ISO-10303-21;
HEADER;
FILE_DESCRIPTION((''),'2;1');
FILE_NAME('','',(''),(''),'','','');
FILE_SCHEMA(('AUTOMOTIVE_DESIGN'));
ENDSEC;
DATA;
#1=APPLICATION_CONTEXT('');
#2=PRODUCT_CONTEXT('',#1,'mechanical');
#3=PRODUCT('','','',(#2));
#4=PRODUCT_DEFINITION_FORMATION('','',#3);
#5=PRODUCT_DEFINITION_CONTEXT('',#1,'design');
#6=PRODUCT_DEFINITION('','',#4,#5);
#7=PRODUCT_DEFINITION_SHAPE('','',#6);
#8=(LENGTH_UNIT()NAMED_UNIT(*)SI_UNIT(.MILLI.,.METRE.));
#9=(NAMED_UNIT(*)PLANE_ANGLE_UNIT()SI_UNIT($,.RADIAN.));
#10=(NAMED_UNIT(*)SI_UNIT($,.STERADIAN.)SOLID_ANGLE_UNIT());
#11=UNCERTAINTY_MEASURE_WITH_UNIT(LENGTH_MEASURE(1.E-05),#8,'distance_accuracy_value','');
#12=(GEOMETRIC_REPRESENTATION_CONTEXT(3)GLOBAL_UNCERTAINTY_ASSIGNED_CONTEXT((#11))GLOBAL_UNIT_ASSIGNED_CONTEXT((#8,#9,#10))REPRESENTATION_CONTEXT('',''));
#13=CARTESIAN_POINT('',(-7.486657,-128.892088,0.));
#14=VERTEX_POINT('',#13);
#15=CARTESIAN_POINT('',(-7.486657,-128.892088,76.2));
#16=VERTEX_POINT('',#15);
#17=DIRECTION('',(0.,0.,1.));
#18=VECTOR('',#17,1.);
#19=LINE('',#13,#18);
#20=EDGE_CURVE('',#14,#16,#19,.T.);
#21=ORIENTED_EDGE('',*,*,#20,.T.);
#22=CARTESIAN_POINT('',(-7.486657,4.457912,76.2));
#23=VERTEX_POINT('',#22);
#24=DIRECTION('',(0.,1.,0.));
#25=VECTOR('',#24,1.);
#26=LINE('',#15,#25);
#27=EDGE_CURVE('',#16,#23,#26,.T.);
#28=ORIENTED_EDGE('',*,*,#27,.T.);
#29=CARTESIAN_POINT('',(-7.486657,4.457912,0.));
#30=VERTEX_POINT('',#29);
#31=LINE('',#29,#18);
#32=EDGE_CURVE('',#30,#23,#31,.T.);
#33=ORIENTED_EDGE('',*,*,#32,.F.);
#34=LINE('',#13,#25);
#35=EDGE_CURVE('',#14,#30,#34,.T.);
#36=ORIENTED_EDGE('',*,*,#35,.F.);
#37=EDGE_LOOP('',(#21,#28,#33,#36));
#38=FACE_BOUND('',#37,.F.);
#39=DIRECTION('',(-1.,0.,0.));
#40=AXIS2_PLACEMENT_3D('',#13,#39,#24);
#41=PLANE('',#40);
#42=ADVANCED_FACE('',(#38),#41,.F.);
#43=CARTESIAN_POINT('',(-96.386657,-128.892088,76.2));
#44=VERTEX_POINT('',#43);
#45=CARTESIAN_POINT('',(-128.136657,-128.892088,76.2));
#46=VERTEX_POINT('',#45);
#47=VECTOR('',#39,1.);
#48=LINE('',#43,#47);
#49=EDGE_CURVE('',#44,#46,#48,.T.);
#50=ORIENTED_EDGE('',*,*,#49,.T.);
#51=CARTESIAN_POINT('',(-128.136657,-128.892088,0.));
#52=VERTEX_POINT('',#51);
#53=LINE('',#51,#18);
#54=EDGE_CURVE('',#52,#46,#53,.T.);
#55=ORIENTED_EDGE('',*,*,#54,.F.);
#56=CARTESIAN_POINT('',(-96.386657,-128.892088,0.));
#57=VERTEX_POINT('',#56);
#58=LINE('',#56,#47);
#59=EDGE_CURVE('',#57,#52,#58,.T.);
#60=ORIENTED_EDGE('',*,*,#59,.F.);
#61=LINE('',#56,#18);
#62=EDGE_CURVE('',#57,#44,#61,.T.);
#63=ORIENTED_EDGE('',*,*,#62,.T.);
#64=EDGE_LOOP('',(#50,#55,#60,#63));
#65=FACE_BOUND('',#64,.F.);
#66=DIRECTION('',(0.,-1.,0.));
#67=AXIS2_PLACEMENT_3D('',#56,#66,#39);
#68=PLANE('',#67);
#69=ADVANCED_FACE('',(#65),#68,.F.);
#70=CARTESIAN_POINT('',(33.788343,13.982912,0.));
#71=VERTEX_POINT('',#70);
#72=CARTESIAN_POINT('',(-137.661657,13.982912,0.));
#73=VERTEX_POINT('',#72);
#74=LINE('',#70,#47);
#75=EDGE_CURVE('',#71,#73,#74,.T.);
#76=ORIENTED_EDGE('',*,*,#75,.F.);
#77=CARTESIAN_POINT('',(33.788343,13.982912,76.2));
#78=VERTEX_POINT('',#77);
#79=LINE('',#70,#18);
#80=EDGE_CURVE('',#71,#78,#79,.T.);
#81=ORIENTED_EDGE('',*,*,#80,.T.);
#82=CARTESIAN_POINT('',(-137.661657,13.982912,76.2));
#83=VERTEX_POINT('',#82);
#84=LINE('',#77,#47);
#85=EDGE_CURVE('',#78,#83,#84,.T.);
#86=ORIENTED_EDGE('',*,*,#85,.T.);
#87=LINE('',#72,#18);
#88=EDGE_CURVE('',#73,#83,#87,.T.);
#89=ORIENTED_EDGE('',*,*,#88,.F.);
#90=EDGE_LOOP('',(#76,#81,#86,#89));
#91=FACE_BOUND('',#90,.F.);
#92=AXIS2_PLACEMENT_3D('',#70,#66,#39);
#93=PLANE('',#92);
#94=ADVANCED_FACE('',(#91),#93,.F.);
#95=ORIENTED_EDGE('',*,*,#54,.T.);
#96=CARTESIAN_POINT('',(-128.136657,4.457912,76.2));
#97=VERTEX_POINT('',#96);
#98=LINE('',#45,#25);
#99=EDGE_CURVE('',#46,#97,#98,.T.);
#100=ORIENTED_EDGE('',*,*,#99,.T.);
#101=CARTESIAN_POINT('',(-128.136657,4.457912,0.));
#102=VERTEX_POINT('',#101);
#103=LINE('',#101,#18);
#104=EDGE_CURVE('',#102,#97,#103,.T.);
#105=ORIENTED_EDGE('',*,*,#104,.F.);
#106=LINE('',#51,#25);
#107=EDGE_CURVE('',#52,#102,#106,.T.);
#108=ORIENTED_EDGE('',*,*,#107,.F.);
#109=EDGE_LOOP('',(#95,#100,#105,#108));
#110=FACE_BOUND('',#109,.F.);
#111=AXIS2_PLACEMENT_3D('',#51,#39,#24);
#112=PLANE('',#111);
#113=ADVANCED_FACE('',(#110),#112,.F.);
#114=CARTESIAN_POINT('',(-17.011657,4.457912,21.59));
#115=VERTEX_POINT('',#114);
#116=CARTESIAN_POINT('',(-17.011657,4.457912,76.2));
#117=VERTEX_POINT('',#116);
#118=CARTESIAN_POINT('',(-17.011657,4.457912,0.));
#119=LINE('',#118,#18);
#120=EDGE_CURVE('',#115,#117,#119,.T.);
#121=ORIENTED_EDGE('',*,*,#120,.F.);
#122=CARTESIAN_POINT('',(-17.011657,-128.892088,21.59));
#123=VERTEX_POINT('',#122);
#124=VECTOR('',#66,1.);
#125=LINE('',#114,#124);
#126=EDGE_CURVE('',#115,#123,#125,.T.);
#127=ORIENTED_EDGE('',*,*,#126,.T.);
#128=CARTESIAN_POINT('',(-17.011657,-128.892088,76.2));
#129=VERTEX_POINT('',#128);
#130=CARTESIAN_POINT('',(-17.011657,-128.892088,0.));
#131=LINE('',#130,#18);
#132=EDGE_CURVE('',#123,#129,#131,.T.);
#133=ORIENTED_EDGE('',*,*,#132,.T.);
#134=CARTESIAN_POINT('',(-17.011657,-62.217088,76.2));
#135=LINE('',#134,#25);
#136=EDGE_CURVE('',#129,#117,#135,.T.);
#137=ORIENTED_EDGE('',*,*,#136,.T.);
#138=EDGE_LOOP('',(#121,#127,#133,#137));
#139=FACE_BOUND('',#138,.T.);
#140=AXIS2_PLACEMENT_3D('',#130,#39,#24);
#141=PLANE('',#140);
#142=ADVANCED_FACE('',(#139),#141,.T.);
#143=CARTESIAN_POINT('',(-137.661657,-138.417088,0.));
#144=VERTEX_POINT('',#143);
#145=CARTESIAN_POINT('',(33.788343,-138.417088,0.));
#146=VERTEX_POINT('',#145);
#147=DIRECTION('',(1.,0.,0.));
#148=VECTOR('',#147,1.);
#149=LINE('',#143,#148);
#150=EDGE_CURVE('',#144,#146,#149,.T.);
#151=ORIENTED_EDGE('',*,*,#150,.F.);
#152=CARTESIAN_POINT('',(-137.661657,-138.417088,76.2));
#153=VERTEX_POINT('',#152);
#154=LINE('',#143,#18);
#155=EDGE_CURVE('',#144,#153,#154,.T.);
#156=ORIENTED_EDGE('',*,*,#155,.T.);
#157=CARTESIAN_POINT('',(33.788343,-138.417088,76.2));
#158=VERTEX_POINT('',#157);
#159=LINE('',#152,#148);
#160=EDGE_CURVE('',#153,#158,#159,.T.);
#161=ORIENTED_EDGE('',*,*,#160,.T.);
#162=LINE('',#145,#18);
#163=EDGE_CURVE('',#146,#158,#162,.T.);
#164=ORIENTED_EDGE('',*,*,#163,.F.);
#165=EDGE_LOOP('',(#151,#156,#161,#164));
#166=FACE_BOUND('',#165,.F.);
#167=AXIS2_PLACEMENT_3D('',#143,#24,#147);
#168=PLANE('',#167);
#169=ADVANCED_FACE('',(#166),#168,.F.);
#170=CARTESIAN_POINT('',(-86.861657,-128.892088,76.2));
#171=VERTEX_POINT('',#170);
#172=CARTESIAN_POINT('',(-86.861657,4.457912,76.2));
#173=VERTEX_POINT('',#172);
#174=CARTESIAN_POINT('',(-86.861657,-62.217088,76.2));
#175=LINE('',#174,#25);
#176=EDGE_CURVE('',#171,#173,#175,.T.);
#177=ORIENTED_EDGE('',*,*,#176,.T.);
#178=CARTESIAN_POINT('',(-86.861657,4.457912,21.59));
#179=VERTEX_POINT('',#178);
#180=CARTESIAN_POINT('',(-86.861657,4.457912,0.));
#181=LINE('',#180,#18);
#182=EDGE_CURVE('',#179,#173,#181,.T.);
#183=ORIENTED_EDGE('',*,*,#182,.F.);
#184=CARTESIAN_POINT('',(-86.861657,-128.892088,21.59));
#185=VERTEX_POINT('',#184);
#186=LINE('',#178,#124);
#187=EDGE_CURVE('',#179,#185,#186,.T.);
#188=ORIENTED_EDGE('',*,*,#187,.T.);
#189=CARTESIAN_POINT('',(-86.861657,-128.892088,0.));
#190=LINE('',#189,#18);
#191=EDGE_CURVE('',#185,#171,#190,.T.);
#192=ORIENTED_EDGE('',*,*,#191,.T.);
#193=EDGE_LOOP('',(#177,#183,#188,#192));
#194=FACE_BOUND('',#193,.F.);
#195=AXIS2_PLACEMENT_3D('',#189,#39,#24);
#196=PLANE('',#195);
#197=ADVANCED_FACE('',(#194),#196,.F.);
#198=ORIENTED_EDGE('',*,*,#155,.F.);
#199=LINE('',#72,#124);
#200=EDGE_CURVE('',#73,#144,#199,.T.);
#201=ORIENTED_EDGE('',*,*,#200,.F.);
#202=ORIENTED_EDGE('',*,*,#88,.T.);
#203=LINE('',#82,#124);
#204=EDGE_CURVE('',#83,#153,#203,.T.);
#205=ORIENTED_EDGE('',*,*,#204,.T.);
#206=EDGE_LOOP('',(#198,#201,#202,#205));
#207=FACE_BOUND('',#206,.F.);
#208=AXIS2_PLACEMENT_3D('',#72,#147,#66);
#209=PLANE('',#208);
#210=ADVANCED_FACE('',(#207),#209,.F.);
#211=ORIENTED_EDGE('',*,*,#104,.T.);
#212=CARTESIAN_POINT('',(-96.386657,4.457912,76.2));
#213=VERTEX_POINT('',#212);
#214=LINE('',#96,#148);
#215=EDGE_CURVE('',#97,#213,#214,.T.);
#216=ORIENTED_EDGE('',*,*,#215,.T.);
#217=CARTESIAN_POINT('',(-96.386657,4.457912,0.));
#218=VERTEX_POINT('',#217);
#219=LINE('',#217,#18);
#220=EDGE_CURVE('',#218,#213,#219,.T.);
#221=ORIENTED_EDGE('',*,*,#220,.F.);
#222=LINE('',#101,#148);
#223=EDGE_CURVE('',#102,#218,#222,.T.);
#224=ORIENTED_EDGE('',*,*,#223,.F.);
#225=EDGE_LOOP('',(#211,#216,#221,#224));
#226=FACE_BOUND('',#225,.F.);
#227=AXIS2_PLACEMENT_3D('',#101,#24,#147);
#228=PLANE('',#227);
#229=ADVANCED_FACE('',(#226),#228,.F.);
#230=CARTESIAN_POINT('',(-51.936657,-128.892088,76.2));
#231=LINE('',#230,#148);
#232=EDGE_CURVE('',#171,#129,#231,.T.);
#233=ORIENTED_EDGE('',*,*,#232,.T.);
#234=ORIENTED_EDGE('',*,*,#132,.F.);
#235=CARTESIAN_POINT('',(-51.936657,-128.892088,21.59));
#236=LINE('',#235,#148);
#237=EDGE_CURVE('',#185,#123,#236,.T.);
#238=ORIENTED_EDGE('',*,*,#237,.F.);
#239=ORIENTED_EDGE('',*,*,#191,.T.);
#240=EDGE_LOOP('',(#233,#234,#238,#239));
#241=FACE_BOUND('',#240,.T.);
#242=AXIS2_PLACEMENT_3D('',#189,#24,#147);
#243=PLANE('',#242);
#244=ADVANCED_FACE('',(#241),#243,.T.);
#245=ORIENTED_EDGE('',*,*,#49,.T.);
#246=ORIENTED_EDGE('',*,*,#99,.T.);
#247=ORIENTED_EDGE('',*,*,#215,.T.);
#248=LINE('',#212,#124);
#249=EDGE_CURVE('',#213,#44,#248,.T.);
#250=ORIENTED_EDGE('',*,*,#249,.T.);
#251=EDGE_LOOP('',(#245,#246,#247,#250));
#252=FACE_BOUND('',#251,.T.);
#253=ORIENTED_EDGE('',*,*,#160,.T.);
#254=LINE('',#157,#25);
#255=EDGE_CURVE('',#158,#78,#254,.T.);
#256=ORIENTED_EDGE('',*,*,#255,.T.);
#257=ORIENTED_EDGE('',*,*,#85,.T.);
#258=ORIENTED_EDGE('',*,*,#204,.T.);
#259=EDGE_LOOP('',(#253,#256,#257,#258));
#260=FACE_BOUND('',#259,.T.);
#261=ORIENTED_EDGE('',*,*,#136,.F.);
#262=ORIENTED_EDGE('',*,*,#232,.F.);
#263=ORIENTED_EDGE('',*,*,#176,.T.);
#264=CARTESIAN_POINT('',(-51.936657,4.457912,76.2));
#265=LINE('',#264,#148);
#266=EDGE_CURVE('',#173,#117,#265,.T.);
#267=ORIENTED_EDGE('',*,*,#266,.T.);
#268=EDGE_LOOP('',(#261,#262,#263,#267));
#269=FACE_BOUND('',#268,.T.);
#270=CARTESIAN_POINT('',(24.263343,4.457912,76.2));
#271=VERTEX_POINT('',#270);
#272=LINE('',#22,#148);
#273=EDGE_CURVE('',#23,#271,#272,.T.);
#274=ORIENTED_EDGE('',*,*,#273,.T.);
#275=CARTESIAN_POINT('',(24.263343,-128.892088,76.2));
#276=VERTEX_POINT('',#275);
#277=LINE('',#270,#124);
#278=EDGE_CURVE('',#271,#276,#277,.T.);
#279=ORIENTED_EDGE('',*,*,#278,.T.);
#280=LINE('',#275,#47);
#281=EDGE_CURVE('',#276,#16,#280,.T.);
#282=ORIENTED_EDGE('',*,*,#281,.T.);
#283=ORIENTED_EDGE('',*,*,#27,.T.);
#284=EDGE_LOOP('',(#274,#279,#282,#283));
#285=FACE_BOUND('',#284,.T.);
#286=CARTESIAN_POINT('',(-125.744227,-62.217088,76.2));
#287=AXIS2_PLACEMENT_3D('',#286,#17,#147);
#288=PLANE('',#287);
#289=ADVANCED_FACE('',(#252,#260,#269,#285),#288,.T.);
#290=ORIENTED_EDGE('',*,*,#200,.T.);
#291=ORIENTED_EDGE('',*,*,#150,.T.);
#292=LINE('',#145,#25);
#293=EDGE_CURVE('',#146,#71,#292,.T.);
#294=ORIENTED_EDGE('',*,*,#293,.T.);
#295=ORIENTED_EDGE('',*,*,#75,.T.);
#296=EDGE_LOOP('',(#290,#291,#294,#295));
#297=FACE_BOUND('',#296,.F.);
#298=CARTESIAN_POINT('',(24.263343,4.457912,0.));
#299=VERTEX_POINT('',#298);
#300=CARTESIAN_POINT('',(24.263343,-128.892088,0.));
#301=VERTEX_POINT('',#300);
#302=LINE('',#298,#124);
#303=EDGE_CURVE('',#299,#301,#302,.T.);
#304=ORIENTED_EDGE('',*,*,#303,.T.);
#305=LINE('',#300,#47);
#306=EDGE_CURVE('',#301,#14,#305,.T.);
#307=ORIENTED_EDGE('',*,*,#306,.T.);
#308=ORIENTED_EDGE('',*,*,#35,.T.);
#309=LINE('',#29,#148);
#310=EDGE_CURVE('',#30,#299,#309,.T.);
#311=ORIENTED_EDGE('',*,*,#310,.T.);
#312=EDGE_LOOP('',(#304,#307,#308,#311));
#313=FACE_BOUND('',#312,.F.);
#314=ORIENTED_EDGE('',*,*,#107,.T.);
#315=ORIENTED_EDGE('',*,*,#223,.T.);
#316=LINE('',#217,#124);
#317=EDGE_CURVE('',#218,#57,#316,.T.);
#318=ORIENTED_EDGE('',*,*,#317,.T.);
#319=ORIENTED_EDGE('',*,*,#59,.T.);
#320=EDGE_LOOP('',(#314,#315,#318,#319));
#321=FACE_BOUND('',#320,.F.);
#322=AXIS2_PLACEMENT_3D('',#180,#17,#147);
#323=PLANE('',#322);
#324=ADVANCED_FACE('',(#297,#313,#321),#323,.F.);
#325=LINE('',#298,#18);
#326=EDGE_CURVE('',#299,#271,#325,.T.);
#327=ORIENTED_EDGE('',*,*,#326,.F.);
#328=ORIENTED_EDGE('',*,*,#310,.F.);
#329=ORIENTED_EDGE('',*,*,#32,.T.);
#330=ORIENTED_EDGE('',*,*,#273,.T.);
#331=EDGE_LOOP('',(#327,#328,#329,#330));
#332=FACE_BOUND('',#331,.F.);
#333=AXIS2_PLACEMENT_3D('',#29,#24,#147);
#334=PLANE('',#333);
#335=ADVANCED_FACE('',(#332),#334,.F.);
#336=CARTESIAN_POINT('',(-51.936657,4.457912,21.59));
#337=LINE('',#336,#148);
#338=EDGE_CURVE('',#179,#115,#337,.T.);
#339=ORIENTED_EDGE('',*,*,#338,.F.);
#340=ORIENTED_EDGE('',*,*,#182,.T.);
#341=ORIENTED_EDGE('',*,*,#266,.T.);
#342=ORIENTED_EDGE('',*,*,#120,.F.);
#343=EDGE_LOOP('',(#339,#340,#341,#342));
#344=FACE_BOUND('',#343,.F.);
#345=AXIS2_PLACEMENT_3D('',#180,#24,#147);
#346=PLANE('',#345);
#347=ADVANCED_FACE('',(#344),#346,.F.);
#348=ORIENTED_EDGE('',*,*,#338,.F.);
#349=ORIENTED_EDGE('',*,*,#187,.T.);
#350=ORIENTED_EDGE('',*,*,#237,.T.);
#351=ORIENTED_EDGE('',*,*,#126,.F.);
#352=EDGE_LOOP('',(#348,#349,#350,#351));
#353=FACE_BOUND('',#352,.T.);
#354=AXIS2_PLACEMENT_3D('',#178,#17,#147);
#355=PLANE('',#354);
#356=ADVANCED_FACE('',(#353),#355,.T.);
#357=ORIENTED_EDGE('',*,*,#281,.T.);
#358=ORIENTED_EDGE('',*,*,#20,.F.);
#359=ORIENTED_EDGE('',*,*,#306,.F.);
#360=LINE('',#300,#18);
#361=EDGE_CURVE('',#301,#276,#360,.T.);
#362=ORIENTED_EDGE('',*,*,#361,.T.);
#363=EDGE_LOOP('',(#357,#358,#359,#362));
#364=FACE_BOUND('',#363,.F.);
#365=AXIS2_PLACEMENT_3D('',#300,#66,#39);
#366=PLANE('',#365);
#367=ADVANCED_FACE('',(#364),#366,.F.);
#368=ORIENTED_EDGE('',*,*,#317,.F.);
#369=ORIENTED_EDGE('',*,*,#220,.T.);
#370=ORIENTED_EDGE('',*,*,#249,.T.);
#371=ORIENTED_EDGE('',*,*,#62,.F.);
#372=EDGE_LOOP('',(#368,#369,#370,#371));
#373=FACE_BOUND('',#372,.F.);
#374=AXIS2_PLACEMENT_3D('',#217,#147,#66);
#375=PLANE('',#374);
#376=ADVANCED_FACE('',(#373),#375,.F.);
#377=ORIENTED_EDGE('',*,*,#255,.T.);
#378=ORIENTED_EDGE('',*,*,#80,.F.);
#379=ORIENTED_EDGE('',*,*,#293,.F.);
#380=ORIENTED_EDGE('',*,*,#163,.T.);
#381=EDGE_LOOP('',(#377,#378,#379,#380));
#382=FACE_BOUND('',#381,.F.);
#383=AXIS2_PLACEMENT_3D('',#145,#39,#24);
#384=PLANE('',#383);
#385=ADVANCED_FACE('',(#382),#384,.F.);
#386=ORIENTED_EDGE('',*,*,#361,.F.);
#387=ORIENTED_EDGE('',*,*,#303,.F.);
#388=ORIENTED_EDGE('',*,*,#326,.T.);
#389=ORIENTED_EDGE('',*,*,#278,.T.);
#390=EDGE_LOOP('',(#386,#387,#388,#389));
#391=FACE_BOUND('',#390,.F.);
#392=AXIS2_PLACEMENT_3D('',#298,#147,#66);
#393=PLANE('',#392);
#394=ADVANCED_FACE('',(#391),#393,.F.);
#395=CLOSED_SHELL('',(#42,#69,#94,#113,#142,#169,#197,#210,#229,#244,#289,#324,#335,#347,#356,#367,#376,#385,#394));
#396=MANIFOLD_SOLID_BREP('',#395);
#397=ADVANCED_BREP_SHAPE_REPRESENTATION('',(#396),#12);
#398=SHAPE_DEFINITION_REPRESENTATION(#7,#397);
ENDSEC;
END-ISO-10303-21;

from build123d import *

# Parameters (mm, degrees)
F0_W     = 69.85
F0_H     = 133.35
F1_DEPTH = 76.2
F2_W     = 69.85
F2_H     = 21.59
F3_DEPTH = 133.35


with BuildPart() as f1:
    # F0 (on Top) → F1 (new body)
    with BuildSketch(Plane.XY):
        Polygon((-96.386657, 13.982912), (-137.661657, 13.982912), (-137.661657, -138.417088), (-96.386657, -138.417088), (-96.386657, -128.892088), (-128.136657, -128.892088), (-128.136657, 4.457912), (-96.386657, 4.457912), align=None)
        Polygon((33.788343, 13.982912), (-7.486657, 13.982912), (-7.486657, 4.457912), (24.263343, 4.457912), (24.263343, -128.892088), (-7.486657, -128.892088), (-7.486657, -138.417088), (33.788343, -138.417088), align=None)
        Polygon((-7.486657, 13.982912), (-96.386657, 13.982912), (-96.386657, 4.457912), (-96.386657, -128.892088), (-96.386657, -138.417088), (-7.486657, -138.417088), (-7.486657, -128.892088), (-7.486657, 4.457912), align=None)
        with Locations((-51.936657, -62.217088)):
            Rectangle(F0_W, F0_H, mode=Mode.SUBTRACT)
    extrude(amount=F1_DEPTH)

    # F2 (on face) → F3 (join, through all)
    with BuildSketch(Plane.XZ.offset(-4.457912)):
        with Locations((-51.936657, 10.795)):
            Rectangle(F2_W, F2_H)
    extrude(amount=F3_DEPTH)


solid = f1.part
